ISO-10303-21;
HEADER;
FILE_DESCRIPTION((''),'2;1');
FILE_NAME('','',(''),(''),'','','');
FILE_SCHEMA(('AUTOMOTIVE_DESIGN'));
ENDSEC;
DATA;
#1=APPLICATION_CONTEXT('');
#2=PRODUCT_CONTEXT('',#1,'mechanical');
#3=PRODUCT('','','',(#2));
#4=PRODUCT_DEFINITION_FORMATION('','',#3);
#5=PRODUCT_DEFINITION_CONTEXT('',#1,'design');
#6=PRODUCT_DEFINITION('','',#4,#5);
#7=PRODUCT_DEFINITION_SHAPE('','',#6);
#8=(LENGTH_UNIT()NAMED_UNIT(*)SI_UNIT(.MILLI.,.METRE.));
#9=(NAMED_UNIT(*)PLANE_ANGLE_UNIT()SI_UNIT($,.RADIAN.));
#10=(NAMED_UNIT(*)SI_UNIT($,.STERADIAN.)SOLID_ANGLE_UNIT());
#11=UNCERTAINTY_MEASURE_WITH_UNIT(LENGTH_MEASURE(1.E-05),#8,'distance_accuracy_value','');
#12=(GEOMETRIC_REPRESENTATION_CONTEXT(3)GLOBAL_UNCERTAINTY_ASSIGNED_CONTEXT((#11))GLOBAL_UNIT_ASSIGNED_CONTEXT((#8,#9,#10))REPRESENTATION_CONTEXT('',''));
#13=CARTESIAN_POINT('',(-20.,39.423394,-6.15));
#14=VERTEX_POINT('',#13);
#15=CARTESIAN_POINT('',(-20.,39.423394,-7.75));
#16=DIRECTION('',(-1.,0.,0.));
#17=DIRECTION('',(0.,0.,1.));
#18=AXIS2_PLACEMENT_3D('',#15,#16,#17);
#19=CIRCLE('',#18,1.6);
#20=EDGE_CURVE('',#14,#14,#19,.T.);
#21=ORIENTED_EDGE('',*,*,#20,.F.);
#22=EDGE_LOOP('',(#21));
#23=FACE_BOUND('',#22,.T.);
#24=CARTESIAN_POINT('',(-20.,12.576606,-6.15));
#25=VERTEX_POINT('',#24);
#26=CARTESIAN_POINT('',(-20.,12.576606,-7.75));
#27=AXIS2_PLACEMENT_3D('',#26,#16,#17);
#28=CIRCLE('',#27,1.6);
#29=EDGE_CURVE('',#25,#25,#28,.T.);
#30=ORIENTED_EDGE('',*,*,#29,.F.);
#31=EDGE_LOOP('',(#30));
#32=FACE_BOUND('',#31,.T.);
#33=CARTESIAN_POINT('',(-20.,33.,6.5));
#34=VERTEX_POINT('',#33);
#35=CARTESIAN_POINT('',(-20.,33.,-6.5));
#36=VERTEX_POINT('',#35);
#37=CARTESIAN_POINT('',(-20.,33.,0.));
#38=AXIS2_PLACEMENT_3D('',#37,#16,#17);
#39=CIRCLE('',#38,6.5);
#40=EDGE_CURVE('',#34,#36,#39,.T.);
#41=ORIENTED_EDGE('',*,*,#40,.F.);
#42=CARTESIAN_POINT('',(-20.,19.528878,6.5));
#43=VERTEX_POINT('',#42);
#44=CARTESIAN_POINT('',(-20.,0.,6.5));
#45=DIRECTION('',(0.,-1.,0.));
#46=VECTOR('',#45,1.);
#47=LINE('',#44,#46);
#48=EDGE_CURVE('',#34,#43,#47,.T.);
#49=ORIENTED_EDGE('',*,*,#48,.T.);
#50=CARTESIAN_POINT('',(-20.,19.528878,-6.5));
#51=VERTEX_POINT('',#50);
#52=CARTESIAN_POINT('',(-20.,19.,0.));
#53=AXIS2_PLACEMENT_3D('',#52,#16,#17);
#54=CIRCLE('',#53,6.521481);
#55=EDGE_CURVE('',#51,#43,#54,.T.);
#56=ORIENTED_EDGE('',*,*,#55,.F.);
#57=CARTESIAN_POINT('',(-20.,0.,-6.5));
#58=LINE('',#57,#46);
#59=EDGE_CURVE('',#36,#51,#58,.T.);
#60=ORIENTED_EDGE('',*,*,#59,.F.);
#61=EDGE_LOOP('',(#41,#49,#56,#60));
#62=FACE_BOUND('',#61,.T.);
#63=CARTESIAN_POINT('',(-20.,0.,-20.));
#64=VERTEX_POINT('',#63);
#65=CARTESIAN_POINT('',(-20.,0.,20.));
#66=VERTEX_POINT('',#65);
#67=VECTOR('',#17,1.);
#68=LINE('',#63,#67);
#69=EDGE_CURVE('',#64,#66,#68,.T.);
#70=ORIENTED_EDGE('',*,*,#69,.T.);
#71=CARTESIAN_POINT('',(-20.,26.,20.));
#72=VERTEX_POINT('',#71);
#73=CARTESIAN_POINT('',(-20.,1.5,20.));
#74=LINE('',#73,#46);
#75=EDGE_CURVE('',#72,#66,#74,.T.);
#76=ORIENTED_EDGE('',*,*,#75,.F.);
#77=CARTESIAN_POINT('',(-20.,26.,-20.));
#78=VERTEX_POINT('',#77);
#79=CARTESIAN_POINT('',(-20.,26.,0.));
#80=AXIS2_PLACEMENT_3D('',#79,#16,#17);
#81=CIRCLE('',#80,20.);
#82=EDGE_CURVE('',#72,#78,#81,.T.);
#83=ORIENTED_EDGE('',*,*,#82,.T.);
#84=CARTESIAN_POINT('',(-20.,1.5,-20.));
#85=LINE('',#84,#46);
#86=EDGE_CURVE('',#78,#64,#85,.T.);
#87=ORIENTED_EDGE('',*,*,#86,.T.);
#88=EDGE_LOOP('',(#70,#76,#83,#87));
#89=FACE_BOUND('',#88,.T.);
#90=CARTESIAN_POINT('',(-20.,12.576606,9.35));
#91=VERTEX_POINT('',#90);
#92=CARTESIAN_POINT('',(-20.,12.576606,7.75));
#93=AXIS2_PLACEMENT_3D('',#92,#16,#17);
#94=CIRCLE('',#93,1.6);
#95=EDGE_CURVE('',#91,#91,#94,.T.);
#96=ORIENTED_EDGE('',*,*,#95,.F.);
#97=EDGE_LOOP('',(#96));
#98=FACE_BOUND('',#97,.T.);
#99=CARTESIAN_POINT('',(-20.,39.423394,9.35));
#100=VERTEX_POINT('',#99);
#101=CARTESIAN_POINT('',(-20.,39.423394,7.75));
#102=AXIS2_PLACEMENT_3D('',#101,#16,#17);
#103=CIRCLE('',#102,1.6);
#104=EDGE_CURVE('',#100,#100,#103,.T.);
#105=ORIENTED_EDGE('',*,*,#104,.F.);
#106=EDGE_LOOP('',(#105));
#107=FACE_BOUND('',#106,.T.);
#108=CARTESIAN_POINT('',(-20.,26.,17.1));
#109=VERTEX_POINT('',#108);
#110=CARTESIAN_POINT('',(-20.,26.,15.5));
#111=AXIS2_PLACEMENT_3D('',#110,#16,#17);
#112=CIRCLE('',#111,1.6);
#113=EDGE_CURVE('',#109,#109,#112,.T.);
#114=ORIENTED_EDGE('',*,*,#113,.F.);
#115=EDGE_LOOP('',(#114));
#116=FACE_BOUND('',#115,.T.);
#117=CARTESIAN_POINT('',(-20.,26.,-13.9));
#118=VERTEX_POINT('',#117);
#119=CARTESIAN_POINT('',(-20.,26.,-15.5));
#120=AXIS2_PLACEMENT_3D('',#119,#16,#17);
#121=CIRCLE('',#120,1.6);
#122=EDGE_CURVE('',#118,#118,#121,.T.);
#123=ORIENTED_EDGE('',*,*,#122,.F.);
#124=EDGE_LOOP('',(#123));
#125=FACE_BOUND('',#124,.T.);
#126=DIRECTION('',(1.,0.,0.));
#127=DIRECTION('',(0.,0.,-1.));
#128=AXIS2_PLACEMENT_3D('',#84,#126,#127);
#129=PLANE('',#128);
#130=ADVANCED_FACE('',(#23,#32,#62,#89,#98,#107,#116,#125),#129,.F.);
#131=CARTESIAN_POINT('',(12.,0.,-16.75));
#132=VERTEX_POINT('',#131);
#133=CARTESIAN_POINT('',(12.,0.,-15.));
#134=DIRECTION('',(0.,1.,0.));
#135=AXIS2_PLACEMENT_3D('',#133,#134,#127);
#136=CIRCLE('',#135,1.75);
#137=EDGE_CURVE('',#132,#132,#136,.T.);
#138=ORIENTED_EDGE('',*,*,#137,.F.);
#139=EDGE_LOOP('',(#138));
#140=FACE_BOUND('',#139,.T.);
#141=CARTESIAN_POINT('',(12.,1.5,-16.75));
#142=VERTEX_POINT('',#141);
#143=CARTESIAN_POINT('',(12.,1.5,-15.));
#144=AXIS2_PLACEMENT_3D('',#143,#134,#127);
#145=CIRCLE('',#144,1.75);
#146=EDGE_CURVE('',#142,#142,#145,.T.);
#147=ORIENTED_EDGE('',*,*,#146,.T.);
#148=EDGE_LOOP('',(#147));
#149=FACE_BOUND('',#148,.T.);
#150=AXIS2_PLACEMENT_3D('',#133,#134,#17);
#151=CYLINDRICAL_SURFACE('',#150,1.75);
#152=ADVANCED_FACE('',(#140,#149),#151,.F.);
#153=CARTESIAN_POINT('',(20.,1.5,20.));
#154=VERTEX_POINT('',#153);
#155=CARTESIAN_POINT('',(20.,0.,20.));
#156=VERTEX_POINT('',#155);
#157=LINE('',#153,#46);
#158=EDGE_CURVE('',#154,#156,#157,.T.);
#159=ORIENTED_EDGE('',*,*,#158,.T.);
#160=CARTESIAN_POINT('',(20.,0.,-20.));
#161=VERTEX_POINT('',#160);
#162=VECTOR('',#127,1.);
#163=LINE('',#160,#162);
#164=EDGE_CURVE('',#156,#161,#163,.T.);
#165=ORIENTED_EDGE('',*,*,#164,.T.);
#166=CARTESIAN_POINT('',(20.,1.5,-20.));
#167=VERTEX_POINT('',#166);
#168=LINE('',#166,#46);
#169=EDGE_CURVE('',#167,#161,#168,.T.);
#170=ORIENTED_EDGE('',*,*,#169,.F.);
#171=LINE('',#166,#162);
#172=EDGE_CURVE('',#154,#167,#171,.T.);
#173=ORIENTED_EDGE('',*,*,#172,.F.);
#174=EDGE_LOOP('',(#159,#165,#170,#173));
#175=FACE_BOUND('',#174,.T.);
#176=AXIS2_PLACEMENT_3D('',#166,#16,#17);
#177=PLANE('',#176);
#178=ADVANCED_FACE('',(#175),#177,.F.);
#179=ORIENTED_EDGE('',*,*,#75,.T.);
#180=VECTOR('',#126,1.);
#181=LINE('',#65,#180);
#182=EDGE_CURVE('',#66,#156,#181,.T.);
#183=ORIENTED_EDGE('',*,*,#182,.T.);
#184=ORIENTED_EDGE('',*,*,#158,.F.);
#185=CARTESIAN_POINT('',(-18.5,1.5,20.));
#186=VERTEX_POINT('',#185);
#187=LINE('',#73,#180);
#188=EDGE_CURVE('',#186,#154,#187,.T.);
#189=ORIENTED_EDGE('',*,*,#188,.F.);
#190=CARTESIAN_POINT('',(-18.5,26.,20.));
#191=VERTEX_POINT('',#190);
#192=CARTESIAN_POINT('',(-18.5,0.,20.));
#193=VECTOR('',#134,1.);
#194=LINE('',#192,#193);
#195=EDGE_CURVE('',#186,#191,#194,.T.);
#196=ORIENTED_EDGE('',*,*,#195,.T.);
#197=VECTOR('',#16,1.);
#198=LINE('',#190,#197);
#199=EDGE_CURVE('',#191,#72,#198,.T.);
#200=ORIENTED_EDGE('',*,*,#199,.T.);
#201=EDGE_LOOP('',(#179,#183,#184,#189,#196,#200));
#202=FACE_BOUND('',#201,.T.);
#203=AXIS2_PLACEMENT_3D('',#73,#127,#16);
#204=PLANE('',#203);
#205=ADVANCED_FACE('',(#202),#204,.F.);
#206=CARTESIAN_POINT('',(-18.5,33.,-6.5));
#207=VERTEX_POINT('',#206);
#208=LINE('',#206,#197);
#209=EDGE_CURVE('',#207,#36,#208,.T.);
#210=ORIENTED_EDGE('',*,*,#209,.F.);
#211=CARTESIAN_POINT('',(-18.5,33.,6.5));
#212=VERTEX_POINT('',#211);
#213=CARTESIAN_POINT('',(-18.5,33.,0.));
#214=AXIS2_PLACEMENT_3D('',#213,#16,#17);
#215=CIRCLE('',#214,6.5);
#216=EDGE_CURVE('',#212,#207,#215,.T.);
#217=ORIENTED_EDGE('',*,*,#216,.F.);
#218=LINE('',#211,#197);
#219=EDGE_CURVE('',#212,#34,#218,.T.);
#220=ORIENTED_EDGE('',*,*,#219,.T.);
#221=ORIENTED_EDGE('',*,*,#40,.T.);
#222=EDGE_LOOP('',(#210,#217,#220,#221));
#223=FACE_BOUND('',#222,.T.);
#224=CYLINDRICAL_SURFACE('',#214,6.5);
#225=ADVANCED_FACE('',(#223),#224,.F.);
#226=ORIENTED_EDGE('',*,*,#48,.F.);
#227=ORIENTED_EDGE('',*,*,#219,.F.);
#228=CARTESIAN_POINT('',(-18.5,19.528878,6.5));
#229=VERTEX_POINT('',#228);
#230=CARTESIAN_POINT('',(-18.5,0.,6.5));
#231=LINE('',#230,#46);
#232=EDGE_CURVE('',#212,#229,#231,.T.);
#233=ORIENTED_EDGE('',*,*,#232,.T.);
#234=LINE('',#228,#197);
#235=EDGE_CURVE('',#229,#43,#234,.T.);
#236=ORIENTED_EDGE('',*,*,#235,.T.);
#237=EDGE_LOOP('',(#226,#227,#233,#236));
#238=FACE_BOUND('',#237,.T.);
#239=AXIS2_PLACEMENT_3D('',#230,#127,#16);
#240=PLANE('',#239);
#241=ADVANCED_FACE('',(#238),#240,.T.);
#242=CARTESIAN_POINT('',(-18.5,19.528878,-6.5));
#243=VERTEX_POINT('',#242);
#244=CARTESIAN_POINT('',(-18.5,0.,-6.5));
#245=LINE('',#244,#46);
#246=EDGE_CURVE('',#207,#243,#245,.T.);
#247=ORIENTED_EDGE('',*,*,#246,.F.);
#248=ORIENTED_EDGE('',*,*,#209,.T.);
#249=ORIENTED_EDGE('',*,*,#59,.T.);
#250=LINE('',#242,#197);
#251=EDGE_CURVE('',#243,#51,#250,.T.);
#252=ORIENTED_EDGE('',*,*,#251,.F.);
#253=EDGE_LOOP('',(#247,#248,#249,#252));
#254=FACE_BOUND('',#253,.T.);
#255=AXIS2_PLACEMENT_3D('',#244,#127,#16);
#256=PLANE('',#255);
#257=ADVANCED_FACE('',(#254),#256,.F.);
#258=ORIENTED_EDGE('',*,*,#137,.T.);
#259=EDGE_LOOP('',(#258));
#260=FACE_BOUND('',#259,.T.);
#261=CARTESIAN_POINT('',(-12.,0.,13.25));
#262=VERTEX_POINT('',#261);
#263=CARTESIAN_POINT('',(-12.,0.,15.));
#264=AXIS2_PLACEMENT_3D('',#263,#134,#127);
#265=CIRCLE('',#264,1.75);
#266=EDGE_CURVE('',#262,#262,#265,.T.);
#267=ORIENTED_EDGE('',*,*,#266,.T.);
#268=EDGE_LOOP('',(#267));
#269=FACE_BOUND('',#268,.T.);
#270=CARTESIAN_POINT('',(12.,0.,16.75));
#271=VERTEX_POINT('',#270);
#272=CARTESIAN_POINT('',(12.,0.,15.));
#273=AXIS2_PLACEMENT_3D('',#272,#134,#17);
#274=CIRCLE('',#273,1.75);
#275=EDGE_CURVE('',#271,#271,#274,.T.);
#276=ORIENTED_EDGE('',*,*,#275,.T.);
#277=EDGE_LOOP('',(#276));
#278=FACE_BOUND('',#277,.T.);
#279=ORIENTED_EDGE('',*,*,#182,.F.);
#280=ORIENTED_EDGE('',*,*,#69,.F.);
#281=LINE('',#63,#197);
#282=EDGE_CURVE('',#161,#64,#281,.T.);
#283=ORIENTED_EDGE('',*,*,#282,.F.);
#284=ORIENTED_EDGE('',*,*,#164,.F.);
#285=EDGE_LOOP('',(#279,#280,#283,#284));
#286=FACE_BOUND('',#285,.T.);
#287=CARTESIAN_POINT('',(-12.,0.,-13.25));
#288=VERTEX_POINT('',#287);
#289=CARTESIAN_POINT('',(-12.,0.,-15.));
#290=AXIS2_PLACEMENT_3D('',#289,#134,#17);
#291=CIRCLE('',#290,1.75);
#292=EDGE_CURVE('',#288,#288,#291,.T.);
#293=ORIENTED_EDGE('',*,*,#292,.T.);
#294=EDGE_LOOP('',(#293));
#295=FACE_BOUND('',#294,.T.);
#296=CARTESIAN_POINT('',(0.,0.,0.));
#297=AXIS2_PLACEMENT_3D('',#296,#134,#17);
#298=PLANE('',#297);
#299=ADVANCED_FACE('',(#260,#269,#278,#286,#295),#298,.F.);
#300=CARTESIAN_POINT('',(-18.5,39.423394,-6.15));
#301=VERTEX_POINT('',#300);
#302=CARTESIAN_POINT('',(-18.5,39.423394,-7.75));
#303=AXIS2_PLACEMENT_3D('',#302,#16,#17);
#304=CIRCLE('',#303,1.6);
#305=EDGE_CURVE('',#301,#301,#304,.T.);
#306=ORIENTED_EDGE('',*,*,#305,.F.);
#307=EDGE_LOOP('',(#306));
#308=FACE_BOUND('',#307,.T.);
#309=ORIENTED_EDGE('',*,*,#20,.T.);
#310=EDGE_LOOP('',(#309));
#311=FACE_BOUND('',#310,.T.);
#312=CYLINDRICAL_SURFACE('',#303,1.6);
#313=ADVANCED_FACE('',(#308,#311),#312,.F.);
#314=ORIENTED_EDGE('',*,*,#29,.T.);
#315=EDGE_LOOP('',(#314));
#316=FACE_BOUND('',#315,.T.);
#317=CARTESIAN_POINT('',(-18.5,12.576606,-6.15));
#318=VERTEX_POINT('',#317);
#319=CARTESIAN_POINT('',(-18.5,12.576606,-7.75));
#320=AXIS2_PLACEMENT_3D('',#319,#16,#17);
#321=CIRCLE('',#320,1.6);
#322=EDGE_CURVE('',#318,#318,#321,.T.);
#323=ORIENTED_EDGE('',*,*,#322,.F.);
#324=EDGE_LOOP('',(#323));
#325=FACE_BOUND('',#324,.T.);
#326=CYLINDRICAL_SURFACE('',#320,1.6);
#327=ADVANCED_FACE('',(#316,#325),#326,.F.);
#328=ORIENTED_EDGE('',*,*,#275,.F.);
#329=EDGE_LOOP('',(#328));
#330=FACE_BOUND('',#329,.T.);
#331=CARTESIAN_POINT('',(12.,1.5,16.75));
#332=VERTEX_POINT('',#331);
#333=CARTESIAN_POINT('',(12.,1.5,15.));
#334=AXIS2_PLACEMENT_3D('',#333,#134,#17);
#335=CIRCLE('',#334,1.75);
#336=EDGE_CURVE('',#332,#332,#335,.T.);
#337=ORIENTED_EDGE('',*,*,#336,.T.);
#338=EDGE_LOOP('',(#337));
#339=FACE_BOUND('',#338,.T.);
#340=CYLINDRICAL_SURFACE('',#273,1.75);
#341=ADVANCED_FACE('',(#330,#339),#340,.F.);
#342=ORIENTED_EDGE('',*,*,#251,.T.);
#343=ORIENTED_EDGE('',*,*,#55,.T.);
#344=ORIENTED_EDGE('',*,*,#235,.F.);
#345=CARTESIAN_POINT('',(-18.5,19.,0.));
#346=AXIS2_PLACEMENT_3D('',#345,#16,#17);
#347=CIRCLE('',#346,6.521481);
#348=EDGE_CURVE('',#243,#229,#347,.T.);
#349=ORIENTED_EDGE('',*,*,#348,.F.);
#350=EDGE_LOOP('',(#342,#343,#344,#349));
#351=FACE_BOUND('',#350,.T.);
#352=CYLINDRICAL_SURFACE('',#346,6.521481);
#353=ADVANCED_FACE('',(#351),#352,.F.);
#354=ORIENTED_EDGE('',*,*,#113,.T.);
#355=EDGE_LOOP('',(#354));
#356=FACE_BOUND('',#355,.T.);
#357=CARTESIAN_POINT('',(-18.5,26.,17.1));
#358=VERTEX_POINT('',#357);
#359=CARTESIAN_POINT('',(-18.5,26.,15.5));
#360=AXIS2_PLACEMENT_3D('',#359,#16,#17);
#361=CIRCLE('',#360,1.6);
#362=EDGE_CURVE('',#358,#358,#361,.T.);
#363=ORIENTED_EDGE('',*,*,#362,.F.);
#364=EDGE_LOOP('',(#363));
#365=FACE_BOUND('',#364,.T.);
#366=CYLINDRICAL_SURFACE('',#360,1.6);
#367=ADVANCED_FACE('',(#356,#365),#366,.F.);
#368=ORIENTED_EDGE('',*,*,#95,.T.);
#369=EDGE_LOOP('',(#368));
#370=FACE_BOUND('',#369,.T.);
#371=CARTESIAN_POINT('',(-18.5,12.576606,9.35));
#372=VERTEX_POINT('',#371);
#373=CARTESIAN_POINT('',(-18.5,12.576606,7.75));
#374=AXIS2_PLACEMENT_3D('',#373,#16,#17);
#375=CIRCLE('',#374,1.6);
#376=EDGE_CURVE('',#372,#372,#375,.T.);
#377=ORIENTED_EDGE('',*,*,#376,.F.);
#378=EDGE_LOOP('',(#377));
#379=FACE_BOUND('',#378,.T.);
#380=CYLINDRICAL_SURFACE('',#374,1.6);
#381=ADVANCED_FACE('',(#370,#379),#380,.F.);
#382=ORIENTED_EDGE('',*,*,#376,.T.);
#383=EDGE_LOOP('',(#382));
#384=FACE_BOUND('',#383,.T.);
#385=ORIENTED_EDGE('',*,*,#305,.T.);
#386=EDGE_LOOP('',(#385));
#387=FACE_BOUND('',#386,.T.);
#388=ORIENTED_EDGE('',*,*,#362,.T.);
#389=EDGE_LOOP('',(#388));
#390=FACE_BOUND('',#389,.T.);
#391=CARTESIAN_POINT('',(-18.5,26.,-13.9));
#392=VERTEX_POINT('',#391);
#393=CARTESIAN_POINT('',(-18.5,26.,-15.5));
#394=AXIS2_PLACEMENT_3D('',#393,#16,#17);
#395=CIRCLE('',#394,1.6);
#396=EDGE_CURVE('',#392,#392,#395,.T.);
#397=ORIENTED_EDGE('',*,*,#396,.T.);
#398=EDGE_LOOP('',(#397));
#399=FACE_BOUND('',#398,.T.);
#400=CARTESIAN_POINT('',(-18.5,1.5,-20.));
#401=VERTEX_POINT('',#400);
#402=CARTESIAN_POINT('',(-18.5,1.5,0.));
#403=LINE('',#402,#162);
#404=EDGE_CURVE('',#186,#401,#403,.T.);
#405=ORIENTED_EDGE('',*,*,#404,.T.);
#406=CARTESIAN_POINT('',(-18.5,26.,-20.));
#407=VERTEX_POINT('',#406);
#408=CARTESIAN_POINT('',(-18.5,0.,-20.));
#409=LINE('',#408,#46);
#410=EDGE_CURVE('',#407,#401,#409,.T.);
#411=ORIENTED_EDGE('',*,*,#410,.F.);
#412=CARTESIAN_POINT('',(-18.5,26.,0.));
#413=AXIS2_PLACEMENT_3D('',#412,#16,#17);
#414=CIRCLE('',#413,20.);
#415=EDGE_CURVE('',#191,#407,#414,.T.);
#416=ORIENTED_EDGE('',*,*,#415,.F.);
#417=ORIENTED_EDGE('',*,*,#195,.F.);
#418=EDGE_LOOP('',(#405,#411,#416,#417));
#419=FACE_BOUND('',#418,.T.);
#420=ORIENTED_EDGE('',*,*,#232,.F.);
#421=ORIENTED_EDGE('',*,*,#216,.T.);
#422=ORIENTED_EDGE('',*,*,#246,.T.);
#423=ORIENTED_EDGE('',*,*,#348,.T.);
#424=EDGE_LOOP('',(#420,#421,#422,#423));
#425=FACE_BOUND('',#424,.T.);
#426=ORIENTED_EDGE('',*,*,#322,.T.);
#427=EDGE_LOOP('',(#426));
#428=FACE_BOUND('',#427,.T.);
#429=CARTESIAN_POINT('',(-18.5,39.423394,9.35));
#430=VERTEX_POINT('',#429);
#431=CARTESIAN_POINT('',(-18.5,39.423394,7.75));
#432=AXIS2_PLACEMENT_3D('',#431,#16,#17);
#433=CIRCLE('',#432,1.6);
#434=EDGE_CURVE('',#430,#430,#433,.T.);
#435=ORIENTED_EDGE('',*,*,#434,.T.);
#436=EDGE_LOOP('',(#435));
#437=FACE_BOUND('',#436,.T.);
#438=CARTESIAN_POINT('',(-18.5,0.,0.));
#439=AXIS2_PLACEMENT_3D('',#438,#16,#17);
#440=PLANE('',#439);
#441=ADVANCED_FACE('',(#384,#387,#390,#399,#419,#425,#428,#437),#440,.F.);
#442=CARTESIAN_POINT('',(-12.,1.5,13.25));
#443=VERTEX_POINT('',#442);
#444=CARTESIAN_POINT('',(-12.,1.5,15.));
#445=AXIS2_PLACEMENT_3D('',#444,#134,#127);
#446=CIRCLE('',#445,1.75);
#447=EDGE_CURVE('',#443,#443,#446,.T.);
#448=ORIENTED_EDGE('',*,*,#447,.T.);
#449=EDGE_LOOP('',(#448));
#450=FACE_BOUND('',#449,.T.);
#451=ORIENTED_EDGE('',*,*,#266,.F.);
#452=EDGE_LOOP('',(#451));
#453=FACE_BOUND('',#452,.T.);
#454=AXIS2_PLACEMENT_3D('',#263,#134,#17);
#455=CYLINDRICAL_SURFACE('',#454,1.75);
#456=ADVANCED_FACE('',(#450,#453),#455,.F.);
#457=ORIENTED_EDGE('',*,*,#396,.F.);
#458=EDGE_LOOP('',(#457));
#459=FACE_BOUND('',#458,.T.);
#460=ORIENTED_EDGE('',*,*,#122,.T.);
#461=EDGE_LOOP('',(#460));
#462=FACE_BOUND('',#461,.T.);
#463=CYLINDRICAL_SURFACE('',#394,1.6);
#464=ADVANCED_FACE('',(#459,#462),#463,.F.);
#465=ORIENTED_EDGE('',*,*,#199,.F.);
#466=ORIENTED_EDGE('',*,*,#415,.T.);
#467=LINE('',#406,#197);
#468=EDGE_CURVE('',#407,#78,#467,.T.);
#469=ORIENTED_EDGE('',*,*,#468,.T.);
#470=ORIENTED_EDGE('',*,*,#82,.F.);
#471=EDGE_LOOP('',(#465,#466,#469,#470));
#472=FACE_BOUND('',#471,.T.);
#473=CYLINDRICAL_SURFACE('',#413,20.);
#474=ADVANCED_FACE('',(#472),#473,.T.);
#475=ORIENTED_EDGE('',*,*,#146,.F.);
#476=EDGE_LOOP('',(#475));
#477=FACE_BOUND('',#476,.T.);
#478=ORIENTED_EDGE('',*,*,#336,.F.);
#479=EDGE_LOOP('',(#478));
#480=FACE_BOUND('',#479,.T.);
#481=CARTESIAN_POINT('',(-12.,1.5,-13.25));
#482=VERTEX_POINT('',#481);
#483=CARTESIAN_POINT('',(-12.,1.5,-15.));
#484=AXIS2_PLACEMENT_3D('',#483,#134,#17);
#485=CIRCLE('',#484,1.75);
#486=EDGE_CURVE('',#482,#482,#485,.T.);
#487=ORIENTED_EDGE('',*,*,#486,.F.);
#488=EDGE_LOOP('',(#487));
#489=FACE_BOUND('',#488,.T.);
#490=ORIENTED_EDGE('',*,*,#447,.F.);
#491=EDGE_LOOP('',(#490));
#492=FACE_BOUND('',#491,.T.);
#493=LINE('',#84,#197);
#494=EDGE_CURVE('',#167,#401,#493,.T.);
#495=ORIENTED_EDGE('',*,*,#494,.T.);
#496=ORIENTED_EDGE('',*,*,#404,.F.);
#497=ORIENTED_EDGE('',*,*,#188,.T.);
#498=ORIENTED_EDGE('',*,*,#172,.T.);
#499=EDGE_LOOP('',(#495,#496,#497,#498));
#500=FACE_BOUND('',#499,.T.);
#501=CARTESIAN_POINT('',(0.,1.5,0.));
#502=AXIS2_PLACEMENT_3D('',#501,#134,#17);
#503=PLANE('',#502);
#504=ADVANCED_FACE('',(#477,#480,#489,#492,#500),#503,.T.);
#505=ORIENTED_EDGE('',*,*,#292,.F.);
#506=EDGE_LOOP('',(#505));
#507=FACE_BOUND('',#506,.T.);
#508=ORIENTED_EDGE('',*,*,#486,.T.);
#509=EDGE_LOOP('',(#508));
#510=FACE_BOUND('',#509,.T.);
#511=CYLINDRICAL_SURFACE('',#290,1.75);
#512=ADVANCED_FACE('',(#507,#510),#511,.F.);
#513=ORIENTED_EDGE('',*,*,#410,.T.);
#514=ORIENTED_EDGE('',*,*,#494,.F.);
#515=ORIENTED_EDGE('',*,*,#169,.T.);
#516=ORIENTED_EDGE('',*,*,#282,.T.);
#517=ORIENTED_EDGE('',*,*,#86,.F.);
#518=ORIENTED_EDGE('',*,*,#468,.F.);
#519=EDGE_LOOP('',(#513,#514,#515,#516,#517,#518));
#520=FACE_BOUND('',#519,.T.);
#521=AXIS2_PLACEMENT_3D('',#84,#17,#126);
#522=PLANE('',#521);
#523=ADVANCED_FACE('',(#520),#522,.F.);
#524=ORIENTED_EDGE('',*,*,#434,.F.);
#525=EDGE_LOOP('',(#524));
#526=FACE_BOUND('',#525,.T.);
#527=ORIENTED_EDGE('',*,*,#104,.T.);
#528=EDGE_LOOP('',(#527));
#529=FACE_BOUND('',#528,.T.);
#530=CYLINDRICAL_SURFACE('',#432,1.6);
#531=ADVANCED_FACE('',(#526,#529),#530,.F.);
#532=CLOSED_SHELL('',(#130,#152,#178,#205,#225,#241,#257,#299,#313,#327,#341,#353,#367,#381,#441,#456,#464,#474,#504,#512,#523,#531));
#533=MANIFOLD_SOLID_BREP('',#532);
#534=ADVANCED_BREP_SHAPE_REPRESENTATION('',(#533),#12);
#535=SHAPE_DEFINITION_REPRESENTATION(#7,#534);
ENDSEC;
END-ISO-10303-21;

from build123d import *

# Parameters (mm, degrees)
SKETCH_1_W          = 40
SKETCH_1_H          = 40
EXTRUDE_1_DEPTH     = 1.5
SKETCH_4_R          = 1.6
EXTRUDE_2_DEPTH     = 1.5
SKETCH_5_R          = 1.75
CUT_EXTRUDE_1_DEPTH = 1.5


with BuildPart() as part:
    # 草图1 → 凸台-拉伸1 (new body)
    with BuildSketch(Plane(origin=(0, 0, 0), x_dir=(1, 0, 0), z_dir=(0, 1, 0))):
        Rectangle(SKETCH_1_W, SKETCH_1_H)
    extrude(amount=EXTRUDE_1_DEPTH)

    # 草图4 → 凸台-拉伸2 (add)
    with BuildSketch(Plane.ZY.offset(20)):
        with BuildLine():
            Line((-20, 1.5), (20, 1.5))
            Line((20, 1.5), (20, 26))
            ThreePointArc((20, 26), (0, 46), (-20, 26))
            Line((-20, 26), (-20, 1.5))
        make_face()
        with Locations((-7.75, 12.576606241)):
            Circle(SKETCH_4_R, mode=Mode.SUBTRACT)
        with Locations((7.75, 12.576606241)):
            Circle(SKETCH_4_R, mode=Mode.SUBTRACT)
        with Locations((-15.5, 26)):
            Circle(SKETCH_4_R, mode=Mode.SUBTRACT)
        with Locations((-7.75, 39.423393759)):
            Circle(SKETCH_4_R, mode=Mode.SUBTRACT)
        with BuildLine():
            Line((-6.5, 19.528878463), (-6.5, 33))
            ThreePointArc((-6.5, 33), (0, 39.5), (6.5, 33))
            Line((6.5, 33), (6.5, 19.528878463))
            ThreePointArc((6.5, 19.528878463), (0, 12.478519154), (-6.5, 19.528878463))
        make_face(mode=Mode.SUBTRACT)
        with Locations((15.5, 26)):
            Circle(SKETCH_4_R, mode=Mode.SUBTRACT)
        with Locations((7.75, 39.423393759)):
            Circle(SKETCH_4_R, mode=Mode.SUBTRACT)
    extrude(amount=-EXTRUDE_2_DEPTH)

    # 草图5 → 切除-拉伸1 (cut)
    with BuildSketch(Plane(origin=(0, 1.5, 0), x_dir=(1, 0, 0), z_dir=(0, 1, 0))):
        with Locations(Location((12, -15, 0), (0, 0, 270))):
            Circle(SKETCH_5_R)
        with Locations(Location((12, 15, 0), (0, 0, 90))):
            Circle(SKETCH_5_R)
        with Locations(Location((-12, -15, 0), (0, 0, 90))):
            Circle(SKETCH_5_R)
        with Locations(Location((-12, 15, 0), (0, 0, 270))):
            Circle(SKETCH_5_R)
    extrude(amount=-CUT_EXTRUDE_1_DEPTH, mode=Mode.SUBTRACT)


solid = part.part
